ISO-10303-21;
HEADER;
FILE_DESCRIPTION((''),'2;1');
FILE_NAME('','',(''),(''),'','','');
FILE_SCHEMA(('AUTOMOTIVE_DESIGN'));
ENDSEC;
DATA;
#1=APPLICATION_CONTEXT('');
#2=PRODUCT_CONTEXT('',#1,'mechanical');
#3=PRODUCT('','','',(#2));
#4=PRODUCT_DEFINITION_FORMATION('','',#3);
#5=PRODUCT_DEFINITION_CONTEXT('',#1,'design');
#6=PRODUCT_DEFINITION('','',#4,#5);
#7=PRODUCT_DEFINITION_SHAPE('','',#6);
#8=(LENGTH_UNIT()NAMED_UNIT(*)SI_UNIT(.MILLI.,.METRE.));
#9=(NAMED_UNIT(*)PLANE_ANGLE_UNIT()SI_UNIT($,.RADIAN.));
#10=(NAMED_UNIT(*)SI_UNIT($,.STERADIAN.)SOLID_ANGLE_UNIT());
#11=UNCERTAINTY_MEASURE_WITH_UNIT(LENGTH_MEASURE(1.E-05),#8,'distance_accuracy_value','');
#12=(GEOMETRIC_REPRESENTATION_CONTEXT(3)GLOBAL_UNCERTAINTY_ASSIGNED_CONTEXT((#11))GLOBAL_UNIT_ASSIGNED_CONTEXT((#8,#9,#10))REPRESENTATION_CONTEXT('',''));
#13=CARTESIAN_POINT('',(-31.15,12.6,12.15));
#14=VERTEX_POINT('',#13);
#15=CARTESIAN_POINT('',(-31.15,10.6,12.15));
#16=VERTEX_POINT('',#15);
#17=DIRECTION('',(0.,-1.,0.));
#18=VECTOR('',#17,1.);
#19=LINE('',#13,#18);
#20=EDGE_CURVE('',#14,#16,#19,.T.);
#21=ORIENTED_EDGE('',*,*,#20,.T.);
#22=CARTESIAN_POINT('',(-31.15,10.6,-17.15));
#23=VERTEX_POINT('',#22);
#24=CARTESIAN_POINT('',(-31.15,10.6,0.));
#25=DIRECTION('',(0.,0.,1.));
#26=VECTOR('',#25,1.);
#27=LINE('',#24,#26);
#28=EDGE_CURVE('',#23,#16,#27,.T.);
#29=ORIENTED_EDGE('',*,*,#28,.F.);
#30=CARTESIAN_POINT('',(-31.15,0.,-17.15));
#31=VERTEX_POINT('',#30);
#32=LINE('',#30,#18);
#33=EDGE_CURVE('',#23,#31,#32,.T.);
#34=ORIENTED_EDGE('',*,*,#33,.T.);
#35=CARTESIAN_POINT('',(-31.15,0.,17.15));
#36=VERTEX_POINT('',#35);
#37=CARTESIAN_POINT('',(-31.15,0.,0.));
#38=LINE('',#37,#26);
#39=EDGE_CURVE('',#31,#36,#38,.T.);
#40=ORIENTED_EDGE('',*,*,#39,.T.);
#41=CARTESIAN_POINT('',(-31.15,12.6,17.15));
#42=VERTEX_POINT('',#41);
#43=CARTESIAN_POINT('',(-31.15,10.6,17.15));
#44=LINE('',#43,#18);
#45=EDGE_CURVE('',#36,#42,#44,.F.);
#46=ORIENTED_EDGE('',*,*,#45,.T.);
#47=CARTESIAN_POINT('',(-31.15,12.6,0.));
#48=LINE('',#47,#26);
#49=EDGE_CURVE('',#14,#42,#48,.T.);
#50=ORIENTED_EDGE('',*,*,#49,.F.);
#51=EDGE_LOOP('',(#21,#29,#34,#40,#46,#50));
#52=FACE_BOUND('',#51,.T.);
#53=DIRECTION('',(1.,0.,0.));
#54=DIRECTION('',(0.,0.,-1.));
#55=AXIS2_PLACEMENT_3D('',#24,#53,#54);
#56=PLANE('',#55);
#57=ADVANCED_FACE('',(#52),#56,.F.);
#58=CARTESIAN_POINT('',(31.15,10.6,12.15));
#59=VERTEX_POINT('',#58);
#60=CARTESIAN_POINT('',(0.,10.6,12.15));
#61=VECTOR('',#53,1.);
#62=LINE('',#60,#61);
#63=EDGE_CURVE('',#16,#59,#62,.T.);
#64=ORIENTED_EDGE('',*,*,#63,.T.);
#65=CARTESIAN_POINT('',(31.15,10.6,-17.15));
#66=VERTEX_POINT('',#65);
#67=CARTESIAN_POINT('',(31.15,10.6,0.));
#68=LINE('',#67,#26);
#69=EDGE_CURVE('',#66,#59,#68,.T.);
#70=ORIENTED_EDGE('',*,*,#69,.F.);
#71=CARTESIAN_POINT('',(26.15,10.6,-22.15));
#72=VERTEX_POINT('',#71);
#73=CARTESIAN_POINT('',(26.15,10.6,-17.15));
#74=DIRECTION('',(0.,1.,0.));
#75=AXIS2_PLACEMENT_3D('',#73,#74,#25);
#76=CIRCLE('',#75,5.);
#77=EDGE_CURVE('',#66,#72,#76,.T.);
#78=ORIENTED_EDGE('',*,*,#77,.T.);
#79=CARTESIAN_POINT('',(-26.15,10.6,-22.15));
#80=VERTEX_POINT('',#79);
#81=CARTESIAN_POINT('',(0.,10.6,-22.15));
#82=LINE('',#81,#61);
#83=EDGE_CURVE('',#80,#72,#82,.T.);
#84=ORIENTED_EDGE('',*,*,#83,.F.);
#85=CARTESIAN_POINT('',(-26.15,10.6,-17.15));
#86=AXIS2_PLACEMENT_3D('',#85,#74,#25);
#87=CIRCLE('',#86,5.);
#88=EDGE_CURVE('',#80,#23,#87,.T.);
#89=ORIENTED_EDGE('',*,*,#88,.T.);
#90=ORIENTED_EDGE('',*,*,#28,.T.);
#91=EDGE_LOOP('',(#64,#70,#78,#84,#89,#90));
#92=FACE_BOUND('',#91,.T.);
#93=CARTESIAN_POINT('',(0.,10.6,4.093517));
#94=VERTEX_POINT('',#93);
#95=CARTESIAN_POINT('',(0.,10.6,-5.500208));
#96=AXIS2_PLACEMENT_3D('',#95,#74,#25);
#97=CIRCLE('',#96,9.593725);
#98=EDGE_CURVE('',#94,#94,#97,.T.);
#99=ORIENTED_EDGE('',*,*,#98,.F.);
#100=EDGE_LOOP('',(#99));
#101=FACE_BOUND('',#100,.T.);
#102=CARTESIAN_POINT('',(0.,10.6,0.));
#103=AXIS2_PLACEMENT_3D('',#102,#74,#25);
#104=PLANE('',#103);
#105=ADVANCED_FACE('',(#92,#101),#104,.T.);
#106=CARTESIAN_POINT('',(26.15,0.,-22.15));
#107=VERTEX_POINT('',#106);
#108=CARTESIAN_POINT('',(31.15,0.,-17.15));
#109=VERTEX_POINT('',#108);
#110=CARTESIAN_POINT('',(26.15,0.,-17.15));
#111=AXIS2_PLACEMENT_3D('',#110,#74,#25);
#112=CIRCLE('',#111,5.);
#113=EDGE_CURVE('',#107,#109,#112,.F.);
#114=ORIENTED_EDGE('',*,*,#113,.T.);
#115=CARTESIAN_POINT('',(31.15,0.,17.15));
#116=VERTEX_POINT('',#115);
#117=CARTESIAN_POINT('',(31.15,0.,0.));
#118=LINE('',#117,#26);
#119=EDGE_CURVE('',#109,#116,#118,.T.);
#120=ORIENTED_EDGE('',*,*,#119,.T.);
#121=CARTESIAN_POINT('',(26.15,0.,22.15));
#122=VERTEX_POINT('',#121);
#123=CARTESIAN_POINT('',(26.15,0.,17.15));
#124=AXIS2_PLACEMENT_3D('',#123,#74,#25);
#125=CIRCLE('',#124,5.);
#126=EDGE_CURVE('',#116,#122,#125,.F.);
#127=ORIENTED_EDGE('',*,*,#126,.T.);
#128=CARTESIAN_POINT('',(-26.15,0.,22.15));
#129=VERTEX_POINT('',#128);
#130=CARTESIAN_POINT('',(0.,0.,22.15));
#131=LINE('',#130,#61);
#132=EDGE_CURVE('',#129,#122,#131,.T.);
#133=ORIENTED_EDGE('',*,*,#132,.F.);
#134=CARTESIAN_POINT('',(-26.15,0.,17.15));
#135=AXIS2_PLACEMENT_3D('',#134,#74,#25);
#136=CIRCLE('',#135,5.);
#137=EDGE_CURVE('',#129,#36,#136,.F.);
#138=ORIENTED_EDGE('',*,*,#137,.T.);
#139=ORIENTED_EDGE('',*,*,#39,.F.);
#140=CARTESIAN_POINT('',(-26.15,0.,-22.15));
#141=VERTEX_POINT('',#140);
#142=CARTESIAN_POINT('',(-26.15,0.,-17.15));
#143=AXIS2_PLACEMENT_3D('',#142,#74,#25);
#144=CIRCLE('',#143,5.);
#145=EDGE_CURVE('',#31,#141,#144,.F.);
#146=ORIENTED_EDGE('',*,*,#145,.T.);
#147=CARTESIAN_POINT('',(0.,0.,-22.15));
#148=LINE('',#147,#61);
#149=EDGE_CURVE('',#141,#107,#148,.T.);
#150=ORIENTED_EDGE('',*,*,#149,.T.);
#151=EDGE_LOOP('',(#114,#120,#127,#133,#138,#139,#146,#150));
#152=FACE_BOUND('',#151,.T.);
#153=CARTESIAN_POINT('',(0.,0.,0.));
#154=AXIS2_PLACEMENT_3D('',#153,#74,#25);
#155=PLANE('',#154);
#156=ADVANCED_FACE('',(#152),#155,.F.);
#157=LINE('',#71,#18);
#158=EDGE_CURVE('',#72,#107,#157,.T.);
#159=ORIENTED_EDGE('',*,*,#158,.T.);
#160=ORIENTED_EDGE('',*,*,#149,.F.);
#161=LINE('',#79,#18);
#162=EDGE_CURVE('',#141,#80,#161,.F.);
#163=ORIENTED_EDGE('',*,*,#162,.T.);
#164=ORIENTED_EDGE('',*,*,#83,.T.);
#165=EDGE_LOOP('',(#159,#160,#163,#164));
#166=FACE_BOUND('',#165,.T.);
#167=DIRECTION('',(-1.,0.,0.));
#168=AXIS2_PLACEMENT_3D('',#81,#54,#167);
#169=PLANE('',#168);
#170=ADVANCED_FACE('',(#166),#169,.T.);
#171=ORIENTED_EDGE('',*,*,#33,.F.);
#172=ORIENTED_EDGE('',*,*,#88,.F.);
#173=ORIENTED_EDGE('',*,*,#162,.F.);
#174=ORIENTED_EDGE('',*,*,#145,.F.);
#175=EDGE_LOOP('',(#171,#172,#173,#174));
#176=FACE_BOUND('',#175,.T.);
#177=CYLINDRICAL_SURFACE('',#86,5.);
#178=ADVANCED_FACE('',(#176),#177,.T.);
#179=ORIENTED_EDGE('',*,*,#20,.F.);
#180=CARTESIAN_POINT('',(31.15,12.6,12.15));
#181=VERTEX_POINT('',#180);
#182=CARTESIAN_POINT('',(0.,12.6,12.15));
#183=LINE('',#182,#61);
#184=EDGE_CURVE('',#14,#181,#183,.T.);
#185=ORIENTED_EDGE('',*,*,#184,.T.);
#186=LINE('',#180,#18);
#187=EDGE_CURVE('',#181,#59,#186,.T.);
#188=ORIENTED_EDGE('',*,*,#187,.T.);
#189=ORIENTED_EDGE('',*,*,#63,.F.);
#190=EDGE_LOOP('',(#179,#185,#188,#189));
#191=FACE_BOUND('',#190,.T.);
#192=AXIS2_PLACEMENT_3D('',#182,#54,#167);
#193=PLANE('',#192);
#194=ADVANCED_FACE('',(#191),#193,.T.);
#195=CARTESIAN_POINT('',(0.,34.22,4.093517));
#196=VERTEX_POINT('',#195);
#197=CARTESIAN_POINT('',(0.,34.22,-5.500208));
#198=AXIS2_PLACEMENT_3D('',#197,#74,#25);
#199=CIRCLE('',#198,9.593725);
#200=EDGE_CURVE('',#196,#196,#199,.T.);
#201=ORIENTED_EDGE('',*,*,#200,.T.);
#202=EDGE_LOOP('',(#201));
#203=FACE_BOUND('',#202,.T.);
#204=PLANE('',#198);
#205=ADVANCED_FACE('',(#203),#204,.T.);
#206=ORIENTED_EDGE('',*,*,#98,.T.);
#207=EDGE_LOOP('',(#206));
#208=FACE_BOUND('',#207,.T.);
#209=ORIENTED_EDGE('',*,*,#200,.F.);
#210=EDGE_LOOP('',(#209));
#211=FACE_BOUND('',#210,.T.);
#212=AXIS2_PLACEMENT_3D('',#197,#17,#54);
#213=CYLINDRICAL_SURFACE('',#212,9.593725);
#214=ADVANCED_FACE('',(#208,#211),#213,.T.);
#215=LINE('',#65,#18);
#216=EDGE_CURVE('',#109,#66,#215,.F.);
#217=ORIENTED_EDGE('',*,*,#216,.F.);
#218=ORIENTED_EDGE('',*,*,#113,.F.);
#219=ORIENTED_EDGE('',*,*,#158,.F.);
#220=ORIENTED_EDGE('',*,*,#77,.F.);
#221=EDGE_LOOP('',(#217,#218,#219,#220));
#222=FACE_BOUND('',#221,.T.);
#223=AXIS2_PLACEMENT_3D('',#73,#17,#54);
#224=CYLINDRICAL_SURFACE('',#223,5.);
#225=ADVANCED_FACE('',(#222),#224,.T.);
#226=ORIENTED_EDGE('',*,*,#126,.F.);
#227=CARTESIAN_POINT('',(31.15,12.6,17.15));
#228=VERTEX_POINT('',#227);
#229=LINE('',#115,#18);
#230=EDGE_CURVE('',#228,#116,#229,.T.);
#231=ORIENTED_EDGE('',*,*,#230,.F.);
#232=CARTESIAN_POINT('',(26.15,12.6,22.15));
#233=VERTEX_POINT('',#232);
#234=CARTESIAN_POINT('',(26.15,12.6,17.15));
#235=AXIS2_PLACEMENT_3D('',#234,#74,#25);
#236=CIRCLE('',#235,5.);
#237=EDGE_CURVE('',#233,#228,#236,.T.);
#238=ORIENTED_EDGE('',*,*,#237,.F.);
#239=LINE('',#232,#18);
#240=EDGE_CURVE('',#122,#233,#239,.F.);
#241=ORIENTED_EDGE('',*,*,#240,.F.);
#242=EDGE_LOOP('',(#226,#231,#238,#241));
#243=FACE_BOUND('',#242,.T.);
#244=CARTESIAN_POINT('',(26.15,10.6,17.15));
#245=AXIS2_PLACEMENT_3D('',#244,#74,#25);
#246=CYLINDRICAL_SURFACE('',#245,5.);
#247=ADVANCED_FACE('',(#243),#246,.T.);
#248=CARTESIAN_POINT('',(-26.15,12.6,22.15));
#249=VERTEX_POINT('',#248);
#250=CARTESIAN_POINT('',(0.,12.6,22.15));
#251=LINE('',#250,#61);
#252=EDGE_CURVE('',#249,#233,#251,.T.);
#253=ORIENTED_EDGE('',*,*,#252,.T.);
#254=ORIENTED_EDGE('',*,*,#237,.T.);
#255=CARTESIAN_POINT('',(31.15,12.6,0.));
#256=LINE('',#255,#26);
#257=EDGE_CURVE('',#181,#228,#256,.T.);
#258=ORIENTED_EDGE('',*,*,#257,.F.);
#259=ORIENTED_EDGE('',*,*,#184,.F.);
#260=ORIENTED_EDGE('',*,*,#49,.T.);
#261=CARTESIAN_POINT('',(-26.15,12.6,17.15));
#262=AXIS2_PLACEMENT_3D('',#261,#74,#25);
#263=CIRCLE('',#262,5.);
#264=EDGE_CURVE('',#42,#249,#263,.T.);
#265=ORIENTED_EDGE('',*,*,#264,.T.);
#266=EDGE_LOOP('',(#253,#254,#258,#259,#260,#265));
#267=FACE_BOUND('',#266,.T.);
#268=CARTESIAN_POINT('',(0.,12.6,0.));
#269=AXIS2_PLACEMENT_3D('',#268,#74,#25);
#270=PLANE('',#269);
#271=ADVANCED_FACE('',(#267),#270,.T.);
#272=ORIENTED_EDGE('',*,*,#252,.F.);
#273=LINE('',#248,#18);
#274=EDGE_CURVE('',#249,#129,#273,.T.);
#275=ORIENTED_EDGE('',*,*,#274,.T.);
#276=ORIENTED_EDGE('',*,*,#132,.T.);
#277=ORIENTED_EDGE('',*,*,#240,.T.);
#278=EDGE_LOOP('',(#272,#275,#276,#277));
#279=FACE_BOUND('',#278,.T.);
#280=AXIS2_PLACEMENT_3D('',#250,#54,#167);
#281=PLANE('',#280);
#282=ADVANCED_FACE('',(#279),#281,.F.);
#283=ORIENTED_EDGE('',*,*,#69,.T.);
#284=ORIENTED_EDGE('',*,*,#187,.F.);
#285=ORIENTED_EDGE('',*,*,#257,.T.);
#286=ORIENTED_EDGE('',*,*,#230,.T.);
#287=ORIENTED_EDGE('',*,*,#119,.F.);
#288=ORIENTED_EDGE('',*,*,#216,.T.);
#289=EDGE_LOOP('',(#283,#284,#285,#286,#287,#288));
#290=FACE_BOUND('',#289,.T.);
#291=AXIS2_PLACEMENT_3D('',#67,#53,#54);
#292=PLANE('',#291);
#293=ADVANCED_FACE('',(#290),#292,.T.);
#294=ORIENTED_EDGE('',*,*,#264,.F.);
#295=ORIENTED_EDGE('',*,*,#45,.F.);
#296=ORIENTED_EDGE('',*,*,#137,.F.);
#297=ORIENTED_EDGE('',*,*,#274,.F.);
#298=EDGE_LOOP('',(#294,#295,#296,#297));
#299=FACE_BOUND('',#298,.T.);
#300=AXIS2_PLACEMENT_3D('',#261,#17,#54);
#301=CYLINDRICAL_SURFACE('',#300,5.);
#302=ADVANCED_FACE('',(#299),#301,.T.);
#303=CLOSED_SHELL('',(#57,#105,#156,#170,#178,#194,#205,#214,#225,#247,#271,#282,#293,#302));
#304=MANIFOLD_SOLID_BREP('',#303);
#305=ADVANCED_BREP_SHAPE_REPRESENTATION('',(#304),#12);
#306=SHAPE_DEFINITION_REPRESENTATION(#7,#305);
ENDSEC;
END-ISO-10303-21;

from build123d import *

# Parameters (mm, degrees)
SKETCH_1_W      = 62.3
SKETCH_1_H      = 34.3
EXTRUDE_1_DEPTH = 10.6
SKETCH_1_3_W    = 62.3
SKETCH_1_3_H    = 10
EXTRUDE_2_DEPTH = 12.6
SKETCH_4_R      = 9.593725323
EXTRUDE_3_DEPTH = 23.62
FILLET_1_R      = 5


with BuildPart() as part:
    # 草图1 → 凸台-拉伸1 (new body)
    with BuildSketch(Plane(origin=(0, 0, 0), x_dir=(1, 0, 0), z_dir=(0, 1, 0))):
        with Locations((0, 5)):
            Rectangle(SKETCH_1_W, SKETCH_1_H)
    extrude(amount=EXTRUDE_1_DEPTH)

    # 草图1<3> → 凸台-拉伸2 (add)
    with BuildSketch(Plane(origin=(0, 0, 0), x_dir=(1, 0, 0), z_dir=(0, 1, 0))):
        with Locations((0, -17.15)):
            Rectangle(SKETCH_1_3_W, SKETCH_1_3_H)
    extrude(amount=EXTRUDE_2_DEPTH)

    # 草图4 → 凸台-拉伸3 (add)
    with BuildSketch(Plane(origin=(0, 10.6, 0), x_dir=(1, 0, 0), z_dir=(0, 1, 0))):
        with Locations((0, 5.500207834)):
            Circle(SKETCH_4_R)
    extrude(amount=EXTRUDE_3_DEPTH)

    # 圆角1
    fillet_1_edges = [part.edges().sort_by_distance(p)[0] for p in [
        (-31.15, 6.3, 22.15),
        (-31.15, 5.3, -22.15),
        (31.15, 6.3, 22.15),
        (31.15, 5.3, -22.15),
    ]]
    fillet(fillet_1_edges, radius=FILLET_1_R)


solid = part.part
